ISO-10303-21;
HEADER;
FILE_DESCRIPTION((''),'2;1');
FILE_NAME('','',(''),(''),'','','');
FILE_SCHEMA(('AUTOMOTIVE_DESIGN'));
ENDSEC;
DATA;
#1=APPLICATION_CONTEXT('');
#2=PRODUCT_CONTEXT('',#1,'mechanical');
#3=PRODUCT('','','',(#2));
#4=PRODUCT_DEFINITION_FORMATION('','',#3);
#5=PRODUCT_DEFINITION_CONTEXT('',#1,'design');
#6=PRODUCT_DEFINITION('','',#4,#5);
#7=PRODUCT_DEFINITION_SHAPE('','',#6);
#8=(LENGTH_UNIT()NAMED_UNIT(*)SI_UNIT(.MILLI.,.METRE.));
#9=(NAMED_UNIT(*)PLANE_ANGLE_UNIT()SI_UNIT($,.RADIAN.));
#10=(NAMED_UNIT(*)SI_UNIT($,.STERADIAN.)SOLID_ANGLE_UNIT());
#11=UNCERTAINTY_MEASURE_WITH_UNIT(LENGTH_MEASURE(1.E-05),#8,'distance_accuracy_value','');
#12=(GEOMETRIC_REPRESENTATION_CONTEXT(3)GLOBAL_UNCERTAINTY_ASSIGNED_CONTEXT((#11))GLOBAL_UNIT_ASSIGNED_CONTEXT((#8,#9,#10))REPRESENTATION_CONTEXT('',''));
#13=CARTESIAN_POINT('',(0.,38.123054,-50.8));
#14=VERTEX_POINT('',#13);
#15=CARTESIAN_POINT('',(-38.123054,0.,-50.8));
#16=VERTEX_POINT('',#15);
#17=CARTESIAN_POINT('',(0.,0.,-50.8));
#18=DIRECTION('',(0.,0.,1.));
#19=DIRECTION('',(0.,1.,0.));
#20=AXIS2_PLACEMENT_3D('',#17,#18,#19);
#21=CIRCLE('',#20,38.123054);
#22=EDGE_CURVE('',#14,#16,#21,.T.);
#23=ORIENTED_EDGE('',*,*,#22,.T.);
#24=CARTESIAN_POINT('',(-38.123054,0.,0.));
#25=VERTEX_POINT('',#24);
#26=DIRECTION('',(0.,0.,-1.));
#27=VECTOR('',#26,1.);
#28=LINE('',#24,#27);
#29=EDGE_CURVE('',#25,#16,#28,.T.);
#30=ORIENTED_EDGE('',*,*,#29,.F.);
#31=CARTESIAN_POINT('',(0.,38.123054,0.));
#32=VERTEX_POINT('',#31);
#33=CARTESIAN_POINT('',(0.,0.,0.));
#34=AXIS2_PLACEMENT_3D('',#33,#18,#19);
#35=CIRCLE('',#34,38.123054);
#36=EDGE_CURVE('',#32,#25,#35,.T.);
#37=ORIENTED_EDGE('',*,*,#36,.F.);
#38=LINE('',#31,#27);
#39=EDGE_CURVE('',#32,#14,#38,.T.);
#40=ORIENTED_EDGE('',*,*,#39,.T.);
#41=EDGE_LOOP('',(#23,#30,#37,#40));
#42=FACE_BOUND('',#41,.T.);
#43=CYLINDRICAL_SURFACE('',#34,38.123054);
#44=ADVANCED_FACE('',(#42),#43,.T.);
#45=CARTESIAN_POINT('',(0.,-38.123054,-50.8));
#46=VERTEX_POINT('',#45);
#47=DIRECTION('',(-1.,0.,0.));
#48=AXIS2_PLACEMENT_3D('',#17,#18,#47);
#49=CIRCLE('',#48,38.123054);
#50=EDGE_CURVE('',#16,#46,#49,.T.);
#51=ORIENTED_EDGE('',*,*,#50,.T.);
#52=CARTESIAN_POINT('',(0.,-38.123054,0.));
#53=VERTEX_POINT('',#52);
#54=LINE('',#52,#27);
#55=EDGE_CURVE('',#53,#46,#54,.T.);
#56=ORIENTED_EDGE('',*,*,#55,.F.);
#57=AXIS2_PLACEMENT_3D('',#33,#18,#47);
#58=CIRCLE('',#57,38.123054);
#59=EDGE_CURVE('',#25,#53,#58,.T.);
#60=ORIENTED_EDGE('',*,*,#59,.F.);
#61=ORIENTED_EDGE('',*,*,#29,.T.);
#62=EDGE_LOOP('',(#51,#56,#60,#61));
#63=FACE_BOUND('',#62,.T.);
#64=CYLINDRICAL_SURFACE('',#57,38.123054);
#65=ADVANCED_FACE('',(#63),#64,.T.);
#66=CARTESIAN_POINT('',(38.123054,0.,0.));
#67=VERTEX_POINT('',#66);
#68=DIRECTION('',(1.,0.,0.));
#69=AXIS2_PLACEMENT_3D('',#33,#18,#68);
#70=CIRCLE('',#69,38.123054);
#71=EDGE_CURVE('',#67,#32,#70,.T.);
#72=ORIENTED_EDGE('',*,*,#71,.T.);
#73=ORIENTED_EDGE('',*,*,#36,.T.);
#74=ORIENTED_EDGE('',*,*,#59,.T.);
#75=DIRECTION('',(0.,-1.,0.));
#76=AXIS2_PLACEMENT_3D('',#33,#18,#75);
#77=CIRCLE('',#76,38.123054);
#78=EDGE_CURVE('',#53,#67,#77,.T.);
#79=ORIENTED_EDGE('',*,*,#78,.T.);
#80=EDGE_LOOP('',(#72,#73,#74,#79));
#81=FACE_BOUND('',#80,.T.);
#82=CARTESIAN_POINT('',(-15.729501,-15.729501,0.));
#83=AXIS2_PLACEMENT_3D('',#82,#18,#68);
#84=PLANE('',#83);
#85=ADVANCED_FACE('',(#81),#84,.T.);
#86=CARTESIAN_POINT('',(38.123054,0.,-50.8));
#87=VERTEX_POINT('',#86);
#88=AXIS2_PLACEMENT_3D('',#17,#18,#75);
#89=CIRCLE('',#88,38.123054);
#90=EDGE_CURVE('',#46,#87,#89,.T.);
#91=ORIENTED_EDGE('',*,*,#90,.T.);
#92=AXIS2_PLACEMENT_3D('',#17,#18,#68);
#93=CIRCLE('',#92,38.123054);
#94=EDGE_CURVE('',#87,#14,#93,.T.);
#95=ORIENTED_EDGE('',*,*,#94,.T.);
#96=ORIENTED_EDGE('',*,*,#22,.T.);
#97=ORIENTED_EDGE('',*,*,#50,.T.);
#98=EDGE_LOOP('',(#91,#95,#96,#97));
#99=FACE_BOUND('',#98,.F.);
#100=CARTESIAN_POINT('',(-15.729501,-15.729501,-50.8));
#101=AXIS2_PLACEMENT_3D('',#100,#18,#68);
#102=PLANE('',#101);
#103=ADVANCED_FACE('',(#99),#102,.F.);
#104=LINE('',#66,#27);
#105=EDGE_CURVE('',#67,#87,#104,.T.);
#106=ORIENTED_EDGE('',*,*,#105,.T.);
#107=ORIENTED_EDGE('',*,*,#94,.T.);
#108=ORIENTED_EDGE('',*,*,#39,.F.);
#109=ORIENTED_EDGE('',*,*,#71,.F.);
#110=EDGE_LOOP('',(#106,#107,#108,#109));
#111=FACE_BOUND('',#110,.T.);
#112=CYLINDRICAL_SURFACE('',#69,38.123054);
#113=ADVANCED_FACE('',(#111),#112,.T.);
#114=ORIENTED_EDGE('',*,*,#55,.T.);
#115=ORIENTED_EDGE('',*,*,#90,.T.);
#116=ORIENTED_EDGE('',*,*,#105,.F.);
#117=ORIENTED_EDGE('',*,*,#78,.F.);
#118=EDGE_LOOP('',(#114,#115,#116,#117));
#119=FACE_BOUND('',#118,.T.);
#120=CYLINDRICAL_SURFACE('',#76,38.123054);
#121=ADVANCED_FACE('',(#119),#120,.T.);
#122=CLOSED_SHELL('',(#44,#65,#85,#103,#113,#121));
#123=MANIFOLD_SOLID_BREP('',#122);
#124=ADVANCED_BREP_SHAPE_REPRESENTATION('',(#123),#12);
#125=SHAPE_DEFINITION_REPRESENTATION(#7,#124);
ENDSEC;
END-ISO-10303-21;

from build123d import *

# Parameters (mm, degrees)
F1_DEPTH = 50.8


with BuildPart() as f1:
    # F0 (on Top) → F1 (new body)
    with BuildSketch(Plane.XY):
        with BuildLine():
            Line((0, -38.123054), (0, 0))
            Line((0, 0), (-38.123054, 0))
            ThreePointArc((-38.123054, 0), (-26.95707, -26.95707), (0, -38.123054))
        make_face()
        with BuildLine():
            Line((-38.123054, 0), (0, 0))
            Line((0, 0), (0, 38.123054))
            ThreePointArc((0, 38.123054), (-26.95707, 26.95707), (-38.123054, 0))
        make_face()
        with BuildLine():
            Line((38.123054, 0), (0, 0))
            Line((0, 0), (0, -38.123054))
            ThreePointArc((0, -38.123054), (26.95707, -26.95707), (38.123054, 0))
        make_face()
        with BuildLine():
            Line((0, 38.123054), (0, 0))
            Line((0, 0), (38.123054, 0))
            ThreePointArc((38.123054, 0), (26.95707, 26.95707), (0, 38.123054))
        make_face()
    extrude(amount=-F1_DEPTH)


solid = f1.part
